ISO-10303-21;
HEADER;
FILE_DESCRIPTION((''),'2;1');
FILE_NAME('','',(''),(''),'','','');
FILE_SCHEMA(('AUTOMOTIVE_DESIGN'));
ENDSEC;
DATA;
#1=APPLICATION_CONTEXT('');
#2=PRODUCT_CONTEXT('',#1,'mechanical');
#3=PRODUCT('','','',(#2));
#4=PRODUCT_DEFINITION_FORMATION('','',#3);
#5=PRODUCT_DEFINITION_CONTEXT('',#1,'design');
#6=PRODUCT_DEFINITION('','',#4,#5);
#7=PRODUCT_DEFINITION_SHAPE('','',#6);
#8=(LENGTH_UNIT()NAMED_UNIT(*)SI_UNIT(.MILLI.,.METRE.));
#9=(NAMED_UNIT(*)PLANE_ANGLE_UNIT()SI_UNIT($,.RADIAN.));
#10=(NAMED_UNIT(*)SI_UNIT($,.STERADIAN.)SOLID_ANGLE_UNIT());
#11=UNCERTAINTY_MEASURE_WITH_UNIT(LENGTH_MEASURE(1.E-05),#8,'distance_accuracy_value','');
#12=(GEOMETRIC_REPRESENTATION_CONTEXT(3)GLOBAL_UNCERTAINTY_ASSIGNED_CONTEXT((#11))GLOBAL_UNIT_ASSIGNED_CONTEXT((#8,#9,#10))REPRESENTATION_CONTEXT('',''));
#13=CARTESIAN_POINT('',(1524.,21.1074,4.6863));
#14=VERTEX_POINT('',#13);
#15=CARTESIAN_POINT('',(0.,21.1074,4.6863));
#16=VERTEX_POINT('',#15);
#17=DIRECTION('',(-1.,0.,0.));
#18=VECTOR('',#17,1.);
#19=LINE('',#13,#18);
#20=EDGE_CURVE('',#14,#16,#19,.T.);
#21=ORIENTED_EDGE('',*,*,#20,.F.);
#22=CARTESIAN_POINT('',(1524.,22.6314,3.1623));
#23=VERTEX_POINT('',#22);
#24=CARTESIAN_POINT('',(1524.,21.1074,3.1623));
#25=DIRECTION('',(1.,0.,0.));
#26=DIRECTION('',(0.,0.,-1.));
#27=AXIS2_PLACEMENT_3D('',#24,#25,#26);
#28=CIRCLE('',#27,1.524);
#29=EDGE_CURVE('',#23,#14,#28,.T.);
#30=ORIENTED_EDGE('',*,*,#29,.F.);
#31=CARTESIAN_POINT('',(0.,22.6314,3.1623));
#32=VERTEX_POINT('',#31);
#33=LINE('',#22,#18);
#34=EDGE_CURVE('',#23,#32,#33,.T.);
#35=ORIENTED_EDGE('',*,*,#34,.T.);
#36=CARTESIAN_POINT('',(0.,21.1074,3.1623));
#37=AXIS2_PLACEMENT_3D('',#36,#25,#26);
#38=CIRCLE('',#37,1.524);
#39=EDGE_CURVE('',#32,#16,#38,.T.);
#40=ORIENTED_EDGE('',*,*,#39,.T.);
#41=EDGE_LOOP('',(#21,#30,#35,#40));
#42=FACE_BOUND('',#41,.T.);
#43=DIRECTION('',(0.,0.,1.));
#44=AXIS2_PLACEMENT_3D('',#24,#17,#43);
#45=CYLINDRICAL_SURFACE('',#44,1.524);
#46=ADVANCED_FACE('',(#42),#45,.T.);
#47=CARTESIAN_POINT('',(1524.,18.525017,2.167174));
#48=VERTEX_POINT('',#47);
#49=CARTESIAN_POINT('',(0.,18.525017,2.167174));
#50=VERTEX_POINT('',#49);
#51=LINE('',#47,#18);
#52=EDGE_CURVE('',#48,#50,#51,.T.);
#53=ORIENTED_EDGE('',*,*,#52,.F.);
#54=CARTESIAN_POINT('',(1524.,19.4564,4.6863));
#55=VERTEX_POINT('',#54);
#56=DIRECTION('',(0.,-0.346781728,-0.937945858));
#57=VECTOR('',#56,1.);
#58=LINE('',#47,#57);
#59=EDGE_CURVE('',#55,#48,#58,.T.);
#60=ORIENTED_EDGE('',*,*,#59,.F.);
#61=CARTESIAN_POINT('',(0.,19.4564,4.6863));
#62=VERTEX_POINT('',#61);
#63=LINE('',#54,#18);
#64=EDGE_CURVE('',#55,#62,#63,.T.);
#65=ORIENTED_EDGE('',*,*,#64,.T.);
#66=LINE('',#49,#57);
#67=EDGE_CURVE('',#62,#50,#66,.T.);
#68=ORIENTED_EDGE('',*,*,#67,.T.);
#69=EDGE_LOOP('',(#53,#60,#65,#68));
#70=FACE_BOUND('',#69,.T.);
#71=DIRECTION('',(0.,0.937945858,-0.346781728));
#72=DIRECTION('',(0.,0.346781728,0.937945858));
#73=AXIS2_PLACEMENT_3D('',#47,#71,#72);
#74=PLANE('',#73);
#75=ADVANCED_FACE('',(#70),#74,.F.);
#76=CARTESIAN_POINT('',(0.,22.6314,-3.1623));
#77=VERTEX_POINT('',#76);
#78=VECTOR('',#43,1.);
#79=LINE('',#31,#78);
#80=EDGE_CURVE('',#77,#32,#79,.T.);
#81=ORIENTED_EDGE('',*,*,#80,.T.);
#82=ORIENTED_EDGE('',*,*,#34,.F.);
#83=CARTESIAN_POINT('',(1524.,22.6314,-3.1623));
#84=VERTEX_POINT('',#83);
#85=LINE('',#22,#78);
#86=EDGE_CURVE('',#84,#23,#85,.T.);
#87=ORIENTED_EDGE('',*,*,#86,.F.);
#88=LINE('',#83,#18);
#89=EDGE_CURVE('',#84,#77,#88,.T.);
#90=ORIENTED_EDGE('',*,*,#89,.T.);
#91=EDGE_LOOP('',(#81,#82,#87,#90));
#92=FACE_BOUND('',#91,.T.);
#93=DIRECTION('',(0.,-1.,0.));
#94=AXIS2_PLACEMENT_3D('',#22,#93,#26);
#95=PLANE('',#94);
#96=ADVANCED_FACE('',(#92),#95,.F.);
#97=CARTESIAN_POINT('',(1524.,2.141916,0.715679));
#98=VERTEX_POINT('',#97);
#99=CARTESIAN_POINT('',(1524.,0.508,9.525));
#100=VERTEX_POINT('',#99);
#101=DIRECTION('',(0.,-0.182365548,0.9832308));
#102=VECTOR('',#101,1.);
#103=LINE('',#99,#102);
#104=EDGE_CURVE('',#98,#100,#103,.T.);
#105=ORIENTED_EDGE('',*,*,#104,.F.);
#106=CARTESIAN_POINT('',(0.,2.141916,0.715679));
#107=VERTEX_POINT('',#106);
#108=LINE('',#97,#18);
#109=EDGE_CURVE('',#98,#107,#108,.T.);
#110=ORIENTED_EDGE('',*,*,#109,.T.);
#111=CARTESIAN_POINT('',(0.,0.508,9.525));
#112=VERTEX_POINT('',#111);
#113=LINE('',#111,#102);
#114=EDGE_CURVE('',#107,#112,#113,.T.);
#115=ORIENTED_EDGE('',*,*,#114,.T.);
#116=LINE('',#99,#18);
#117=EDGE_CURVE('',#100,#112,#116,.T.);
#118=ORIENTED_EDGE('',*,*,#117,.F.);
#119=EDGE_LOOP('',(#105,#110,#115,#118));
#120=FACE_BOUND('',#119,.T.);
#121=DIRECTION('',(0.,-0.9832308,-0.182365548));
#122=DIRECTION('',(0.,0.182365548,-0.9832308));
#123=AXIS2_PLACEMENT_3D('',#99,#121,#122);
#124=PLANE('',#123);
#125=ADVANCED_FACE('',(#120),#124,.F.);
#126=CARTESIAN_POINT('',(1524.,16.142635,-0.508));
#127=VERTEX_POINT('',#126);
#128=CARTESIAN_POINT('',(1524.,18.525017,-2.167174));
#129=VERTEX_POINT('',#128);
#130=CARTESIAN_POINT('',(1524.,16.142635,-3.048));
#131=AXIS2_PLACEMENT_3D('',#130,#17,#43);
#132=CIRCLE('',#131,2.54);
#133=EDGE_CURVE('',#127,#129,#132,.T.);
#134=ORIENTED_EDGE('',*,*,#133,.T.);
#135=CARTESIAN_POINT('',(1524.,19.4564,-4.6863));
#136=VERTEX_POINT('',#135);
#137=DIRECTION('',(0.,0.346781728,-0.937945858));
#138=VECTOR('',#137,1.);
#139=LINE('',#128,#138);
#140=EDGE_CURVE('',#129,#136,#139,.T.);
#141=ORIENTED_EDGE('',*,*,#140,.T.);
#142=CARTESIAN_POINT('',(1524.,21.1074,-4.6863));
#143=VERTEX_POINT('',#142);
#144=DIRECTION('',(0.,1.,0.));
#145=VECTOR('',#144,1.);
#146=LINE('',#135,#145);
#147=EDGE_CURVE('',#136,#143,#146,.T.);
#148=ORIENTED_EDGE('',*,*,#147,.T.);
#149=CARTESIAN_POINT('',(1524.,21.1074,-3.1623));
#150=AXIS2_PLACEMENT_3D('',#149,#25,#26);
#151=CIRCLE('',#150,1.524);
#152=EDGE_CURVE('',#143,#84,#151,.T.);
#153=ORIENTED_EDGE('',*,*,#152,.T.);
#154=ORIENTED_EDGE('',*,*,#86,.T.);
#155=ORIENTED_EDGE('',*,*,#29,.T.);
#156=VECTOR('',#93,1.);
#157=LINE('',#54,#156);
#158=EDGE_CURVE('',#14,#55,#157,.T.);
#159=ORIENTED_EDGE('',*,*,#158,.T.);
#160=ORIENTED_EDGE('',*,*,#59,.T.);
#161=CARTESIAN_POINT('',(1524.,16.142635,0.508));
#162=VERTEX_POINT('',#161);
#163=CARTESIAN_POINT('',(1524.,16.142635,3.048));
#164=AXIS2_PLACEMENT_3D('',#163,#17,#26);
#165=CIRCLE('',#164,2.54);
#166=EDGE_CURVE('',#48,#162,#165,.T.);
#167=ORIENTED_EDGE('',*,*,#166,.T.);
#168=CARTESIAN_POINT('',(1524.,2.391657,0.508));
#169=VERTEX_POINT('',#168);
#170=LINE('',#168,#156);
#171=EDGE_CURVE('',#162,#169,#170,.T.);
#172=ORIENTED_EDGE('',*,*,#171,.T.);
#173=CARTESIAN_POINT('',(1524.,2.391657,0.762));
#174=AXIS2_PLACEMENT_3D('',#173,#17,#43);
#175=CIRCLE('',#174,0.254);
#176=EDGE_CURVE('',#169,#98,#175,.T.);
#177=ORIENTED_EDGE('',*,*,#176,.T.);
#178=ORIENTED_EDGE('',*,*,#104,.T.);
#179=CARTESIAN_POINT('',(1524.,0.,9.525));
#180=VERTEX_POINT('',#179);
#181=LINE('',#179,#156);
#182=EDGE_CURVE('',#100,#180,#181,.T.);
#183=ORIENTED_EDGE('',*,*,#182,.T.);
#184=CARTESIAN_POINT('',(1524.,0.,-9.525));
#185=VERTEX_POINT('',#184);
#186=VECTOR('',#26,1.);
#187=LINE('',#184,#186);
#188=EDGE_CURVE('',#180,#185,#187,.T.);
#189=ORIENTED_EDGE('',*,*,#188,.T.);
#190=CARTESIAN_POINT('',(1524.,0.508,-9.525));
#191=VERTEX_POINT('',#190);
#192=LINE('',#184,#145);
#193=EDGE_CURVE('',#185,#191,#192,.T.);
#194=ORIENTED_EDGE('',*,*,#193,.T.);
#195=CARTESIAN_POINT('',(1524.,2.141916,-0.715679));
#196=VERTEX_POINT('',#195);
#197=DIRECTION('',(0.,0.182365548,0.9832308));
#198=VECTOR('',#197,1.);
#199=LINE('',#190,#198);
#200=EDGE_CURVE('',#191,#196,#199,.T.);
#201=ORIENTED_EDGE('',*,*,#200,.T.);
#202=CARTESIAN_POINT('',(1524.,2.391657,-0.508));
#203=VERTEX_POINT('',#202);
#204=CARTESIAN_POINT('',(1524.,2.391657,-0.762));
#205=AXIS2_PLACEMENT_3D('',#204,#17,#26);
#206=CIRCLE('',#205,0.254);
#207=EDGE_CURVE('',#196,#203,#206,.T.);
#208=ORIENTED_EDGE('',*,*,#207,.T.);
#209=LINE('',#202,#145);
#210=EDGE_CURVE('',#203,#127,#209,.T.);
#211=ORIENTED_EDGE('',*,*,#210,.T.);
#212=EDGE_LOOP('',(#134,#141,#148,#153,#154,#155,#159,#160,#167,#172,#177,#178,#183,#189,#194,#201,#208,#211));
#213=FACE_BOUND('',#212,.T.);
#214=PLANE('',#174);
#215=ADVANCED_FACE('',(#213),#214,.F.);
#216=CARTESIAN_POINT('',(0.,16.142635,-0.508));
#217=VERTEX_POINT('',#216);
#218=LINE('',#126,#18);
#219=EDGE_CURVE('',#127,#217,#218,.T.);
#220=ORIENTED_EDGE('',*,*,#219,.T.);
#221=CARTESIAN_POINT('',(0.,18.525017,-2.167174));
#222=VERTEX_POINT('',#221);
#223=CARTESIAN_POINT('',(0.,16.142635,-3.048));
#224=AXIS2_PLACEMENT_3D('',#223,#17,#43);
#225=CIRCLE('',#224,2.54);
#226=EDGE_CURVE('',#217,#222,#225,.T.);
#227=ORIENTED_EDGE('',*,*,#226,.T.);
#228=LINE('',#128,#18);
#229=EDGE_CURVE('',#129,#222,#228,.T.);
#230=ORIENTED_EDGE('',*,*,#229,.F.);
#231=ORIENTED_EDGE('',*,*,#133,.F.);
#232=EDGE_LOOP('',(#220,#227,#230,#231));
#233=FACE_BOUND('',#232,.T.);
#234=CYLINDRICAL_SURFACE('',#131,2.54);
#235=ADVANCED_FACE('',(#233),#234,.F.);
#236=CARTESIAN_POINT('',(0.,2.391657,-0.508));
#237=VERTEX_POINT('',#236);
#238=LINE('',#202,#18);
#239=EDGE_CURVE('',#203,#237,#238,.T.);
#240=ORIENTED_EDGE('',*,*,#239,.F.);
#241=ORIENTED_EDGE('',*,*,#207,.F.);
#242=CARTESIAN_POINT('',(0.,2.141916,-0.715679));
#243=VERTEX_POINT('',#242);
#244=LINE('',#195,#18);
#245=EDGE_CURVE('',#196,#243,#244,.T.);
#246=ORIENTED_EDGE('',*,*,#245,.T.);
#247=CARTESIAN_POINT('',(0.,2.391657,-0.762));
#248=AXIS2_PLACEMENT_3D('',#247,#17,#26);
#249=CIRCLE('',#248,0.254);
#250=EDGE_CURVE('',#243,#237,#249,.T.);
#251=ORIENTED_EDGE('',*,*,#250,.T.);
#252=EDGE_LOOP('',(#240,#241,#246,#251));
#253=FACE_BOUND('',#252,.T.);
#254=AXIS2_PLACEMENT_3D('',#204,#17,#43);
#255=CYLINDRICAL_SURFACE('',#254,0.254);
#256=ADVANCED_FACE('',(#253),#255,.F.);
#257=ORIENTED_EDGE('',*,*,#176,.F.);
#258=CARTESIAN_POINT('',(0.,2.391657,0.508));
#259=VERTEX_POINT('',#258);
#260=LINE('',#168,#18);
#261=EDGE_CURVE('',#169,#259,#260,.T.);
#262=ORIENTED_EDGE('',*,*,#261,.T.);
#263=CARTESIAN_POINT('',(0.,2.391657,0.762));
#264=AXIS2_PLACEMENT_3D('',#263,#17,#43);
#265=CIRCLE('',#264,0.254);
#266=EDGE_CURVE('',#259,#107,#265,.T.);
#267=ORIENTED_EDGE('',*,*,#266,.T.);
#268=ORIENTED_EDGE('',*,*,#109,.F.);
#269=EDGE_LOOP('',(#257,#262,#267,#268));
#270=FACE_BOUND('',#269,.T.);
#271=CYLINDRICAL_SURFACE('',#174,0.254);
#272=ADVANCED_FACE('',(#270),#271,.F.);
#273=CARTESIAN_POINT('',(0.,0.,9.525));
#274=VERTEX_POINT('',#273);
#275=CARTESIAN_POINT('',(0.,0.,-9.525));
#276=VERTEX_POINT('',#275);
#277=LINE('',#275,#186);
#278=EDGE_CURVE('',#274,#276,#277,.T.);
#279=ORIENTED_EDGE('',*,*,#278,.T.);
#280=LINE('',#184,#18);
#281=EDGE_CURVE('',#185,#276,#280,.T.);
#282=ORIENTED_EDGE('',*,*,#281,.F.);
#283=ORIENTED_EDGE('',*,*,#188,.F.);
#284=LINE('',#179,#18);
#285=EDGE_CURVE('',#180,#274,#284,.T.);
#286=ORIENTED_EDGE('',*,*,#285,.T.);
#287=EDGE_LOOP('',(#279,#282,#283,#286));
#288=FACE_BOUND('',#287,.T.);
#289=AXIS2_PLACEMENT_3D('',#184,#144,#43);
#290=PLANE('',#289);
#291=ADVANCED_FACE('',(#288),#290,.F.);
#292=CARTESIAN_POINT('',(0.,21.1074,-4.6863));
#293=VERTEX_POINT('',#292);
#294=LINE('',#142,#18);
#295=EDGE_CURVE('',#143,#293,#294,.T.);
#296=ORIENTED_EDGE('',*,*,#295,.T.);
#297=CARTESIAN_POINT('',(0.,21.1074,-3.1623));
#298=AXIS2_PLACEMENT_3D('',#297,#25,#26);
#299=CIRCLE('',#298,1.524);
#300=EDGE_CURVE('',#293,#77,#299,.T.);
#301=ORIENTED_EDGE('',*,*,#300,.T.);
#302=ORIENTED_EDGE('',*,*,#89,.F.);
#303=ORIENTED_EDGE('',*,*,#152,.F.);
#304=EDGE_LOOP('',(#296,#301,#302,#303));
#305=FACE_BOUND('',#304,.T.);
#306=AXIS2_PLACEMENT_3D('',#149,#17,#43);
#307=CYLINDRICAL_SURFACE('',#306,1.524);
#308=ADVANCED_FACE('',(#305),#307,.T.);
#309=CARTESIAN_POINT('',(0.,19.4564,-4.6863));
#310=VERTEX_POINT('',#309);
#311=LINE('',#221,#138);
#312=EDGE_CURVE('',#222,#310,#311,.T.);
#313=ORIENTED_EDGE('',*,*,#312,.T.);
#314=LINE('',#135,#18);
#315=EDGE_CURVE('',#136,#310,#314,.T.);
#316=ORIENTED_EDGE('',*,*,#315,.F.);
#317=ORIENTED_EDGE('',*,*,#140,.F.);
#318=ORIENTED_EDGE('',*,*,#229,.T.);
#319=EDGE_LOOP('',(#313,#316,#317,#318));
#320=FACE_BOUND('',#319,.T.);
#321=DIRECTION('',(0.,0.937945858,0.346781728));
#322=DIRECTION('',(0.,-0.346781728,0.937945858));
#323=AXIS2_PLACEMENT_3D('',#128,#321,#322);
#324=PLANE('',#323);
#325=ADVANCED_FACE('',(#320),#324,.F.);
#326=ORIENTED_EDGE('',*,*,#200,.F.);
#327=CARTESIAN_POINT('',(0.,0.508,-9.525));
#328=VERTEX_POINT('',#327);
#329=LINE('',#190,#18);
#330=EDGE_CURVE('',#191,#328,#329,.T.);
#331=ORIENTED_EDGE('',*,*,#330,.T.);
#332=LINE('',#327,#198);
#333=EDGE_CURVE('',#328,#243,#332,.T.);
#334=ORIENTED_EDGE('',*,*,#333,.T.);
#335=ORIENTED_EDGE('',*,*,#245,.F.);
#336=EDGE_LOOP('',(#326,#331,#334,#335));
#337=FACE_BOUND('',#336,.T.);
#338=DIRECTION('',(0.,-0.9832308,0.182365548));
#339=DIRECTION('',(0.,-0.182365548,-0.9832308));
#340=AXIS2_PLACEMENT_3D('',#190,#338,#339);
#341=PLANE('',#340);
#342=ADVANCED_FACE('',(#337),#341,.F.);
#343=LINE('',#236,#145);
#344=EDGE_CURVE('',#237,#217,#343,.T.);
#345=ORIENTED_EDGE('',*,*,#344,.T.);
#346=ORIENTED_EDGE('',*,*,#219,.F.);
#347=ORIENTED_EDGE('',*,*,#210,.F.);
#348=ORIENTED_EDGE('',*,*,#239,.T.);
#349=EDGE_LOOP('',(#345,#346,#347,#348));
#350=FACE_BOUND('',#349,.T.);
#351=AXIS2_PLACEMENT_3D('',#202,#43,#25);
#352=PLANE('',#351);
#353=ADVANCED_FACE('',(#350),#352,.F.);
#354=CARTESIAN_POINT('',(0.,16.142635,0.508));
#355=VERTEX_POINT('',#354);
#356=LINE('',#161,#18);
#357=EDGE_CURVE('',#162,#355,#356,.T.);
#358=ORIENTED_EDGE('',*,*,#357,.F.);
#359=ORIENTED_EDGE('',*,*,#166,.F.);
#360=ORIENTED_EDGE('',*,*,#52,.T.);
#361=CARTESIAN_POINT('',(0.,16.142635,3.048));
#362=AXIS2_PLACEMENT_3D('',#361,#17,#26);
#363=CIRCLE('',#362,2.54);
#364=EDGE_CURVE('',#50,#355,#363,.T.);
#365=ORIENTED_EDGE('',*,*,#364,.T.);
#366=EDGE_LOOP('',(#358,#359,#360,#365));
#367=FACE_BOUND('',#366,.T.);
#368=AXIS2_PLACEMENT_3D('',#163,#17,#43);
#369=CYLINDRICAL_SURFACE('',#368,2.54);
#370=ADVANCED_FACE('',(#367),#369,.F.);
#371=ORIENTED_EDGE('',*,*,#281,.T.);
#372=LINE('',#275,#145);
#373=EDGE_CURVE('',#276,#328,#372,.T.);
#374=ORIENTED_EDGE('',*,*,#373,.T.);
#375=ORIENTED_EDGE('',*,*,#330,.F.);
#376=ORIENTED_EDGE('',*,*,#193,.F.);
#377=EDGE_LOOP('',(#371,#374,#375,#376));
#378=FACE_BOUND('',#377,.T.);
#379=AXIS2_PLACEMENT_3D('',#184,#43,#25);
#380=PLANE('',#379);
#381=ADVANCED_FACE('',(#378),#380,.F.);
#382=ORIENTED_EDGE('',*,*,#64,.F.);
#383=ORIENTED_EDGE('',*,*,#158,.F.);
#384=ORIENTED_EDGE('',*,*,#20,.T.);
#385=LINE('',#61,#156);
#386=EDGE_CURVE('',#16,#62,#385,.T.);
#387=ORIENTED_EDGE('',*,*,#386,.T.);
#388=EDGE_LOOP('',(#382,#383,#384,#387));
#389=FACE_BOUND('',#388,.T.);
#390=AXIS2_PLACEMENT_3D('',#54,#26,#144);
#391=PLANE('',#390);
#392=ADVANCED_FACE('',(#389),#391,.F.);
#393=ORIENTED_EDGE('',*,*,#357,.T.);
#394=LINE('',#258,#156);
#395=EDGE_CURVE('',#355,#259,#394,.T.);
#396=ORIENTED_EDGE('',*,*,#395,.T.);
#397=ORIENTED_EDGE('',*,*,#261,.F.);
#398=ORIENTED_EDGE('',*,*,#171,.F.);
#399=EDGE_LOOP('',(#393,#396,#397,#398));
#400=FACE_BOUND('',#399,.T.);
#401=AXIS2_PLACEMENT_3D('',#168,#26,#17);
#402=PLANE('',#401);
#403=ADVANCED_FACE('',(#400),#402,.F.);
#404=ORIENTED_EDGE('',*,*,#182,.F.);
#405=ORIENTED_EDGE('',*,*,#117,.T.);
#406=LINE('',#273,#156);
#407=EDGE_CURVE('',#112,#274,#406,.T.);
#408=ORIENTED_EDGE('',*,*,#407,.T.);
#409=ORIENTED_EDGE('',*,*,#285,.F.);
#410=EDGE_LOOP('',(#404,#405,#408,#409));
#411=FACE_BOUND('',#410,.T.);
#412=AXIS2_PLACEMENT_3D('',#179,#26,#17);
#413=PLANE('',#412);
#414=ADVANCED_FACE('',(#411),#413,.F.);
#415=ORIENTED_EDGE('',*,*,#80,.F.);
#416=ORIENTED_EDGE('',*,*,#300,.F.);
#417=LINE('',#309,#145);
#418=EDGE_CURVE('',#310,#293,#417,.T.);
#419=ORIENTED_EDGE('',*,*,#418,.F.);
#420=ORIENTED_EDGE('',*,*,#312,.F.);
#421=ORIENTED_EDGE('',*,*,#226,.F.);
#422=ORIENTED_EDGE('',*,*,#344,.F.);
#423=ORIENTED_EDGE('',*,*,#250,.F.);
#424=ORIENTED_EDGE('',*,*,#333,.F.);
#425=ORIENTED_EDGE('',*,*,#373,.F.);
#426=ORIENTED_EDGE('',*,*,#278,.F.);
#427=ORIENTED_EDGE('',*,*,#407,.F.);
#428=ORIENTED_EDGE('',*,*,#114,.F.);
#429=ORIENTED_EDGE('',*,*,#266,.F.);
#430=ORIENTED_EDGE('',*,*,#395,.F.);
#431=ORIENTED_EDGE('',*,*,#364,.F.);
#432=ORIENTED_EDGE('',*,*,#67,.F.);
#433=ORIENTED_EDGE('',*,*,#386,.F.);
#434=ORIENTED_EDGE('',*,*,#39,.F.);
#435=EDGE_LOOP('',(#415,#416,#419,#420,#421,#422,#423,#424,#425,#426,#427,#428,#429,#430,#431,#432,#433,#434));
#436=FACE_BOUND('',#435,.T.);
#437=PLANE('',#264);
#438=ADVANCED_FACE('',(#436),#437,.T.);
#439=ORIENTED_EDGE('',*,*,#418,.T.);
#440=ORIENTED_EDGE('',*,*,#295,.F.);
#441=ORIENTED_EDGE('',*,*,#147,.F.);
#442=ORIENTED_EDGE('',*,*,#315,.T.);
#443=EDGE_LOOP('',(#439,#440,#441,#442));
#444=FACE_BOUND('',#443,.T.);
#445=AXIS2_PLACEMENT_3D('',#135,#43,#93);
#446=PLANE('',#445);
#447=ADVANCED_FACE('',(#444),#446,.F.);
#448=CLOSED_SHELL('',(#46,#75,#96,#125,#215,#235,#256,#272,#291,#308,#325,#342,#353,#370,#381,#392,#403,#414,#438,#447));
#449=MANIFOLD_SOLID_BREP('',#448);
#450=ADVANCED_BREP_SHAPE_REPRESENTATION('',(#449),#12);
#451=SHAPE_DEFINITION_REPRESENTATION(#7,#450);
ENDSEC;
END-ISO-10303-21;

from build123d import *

# Parameters (mm, degrees)
BOSS_EXTRUDE1_DEPTH = 1524


with BuildPart() as part:
    # Sketch1 → Boss-Extrude1 (new body)
    with BuildSketch(Plane(origin=(0, 0, 0), x_dir=(0, 0, -1), z_dir=(1, 0, 0))):
        with BuildLine():
            Line((9.525, 0), (-9.525, 0))
            Line((-9.525, 0), (-9.525, 0.508))
            Line((-9.525, 0.508), (-0.715679151, 2.141916092))
            ThreePointArc((-0.715679151, 2.141916092), (-0.566703436, 2.229252122), (-0.508, 2.391656716))
            Line((-0.508, 2.391656716), (-0.508, 16.142634631))
            ThreePointArc((-0.508, 16.142634631), (-0.963665934, 17.594237711), (-2.167174412, 18.525017111))
            Line((-2.167174412, 18.525017111), (-4.6863, 19.4564))
            Line((-4.6863, 19.4564), (-4.6863, 21.1074))
            ThreePointArc((-4.6863, 21.1074), (-4.239930735, 22.185030735), (-3.1623, 22.6314))
            Line((-3.1623, 22.6314), (3.1623, 22.6314))
            ThreePointArc((3.1623, 22.6314), (4.239930735, 22.185030735), (4.6863, 21.1074))
            Line((4.6863, 21.1074), (4.6863, 19.4564))
            Line((4.6863, 19.4564), (2.167174412, 18.525017111))
            ThreePointArc((2.167174412, 18.525017111), (0.963665934, 17.594237711), (0.508, 16.142634631))
            Line((0.508, 16.142634631), (0.508, 2.391656716))
            ThreePointArc((0.508, 2.391656716), (0.566703436, 2.229252122), (0.715679151, 2.141916092))
            Line((0.715679151, 2.141916092), (9.525, 0.508))
            Line((9.525, 0.508), (9.525, 0))
        make_face()
    extrude(amount=BOSS_EXTRUDE1_DEPTH)


solid = part.part
